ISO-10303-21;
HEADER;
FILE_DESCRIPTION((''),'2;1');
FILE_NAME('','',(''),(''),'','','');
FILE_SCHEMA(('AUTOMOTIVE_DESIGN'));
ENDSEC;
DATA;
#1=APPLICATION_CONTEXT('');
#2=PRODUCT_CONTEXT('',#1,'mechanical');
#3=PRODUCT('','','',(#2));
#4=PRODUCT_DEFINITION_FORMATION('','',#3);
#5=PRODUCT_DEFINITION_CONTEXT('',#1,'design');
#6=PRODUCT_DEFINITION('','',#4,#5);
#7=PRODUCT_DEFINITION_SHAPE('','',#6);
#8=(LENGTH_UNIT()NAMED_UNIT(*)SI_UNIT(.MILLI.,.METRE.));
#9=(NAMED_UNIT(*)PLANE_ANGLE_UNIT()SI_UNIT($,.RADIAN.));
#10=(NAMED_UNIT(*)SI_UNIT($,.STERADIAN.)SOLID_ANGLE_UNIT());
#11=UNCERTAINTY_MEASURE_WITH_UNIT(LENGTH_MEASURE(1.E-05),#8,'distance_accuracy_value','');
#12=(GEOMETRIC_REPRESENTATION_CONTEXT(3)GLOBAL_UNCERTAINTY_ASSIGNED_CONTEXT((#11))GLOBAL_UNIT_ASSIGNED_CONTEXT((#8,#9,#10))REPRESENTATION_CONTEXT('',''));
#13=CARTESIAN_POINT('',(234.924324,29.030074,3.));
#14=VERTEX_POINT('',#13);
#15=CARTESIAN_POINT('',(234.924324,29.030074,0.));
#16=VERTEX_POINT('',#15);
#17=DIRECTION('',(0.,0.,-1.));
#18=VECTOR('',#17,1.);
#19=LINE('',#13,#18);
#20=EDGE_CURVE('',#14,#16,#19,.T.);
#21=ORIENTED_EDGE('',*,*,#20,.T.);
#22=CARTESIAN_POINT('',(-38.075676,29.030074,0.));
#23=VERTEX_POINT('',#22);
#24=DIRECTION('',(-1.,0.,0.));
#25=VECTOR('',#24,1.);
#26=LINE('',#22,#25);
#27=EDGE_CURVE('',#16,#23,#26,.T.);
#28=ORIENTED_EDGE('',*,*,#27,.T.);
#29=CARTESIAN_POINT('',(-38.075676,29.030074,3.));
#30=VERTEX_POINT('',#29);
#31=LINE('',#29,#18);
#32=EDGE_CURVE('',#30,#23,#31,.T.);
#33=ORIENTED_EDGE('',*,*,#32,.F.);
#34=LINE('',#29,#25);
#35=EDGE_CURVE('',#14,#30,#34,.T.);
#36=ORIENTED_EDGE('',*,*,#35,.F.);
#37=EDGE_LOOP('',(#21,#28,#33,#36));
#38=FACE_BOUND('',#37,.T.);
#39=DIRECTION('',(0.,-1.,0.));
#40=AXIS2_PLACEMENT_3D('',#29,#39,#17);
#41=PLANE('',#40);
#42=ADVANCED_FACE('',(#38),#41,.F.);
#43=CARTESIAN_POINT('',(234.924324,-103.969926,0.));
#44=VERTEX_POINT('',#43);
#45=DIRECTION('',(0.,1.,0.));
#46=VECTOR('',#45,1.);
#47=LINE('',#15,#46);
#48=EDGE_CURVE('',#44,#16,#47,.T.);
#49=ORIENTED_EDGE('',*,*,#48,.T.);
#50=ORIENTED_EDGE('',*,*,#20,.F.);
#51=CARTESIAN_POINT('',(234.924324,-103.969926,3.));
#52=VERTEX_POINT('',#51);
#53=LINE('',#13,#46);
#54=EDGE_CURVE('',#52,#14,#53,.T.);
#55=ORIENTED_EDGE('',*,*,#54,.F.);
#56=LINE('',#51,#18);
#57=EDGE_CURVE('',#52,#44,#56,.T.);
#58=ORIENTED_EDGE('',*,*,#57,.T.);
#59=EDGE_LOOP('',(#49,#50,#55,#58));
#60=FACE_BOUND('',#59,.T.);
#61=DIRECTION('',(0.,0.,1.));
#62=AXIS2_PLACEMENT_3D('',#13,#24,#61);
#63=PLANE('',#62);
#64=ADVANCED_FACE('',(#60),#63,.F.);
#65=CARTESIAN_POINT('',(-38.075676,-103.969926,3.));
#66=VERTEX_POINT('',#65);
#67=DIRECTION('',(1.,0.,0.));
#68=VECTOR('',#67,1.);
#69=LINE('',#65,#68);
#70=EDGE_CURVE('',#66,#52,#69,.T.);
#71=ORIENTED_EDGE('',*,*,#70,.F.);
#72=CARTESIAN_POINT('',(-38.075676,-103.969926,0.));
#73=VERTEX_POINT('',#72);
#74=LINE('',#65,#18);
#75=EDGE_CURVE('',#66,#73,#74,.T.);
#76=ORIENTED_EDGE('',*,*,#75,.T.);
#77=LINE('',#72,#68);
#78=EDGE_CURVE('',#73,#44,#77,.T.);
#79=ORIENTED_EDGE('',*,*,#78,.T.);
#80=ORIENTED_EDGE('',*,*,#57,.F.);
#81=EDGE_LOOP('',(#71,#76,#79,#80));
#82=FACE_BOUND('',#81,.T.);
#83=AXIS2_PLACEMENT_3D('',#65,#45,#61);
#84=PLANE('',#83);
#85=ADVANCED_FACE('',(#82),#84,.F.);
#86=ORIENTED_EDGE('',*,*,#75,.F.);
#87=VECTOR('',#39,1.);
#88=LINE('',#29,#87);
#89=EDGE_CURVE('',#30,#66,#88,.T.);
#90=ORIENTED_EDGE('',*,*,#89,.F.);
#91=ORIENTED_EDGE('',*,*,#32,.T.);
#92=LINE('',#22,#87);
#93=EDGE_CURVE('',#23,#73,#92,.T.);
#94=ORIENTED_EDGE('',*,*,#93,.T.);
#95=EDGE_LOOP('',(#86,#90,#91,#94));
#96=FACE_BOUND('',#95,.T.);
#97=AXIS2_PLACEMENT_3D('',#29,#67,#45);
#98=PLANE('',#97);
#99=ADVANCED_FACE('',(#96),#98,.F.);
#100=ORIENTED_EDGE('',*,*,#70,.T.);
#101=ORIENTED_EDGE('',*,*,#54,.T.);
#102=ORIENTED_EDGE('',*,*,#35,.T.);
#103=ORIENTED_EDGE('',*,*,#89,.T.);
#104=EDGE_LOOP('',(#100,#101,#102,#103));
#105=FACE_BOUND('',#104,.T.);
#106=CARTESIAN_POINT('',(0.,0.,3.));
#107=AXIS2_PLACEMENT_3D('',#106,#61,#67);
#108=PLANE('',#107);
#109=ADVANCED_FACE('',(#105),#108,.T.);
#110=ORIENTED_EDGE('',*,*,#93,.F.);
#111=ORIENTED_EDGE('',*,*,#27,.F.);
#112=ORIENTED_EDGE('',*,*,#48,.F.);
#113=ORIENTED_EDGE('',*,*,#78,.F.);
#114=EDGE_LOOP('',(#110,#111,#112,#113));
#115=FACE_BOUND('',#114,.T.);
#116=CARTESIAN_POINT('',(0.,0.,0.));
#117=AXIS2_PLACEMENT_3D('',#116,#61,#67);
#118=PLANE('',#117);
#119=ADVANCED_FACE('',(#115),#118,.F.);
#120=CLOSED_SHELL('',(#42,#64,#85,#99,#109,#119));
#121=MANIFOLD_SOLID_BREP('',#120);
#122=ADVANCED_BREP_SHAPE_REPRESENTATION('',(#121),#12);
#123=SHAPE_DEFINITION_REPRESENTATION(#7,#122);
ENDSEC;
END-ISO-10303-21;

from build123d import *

# Parameters (mm, degrees)
ESQUISSE1_W        = 273
ESQUISSE1_H        = 133
BOSS_EXTRU_1_DEPTH = 3


with BuildPart() as part:
    # Esquisse1 → Boss.-Extru.1 (new body)
    with BuildSketch(Plane.XY):
        with Locations((98.424323811, -37.469926441)):
            Rectangle(ESQUISSE1_W, ESQUISSE1_H)
    extrude(amount=BOSS_EXTRU_1_DEPTH)


solid = part.part
